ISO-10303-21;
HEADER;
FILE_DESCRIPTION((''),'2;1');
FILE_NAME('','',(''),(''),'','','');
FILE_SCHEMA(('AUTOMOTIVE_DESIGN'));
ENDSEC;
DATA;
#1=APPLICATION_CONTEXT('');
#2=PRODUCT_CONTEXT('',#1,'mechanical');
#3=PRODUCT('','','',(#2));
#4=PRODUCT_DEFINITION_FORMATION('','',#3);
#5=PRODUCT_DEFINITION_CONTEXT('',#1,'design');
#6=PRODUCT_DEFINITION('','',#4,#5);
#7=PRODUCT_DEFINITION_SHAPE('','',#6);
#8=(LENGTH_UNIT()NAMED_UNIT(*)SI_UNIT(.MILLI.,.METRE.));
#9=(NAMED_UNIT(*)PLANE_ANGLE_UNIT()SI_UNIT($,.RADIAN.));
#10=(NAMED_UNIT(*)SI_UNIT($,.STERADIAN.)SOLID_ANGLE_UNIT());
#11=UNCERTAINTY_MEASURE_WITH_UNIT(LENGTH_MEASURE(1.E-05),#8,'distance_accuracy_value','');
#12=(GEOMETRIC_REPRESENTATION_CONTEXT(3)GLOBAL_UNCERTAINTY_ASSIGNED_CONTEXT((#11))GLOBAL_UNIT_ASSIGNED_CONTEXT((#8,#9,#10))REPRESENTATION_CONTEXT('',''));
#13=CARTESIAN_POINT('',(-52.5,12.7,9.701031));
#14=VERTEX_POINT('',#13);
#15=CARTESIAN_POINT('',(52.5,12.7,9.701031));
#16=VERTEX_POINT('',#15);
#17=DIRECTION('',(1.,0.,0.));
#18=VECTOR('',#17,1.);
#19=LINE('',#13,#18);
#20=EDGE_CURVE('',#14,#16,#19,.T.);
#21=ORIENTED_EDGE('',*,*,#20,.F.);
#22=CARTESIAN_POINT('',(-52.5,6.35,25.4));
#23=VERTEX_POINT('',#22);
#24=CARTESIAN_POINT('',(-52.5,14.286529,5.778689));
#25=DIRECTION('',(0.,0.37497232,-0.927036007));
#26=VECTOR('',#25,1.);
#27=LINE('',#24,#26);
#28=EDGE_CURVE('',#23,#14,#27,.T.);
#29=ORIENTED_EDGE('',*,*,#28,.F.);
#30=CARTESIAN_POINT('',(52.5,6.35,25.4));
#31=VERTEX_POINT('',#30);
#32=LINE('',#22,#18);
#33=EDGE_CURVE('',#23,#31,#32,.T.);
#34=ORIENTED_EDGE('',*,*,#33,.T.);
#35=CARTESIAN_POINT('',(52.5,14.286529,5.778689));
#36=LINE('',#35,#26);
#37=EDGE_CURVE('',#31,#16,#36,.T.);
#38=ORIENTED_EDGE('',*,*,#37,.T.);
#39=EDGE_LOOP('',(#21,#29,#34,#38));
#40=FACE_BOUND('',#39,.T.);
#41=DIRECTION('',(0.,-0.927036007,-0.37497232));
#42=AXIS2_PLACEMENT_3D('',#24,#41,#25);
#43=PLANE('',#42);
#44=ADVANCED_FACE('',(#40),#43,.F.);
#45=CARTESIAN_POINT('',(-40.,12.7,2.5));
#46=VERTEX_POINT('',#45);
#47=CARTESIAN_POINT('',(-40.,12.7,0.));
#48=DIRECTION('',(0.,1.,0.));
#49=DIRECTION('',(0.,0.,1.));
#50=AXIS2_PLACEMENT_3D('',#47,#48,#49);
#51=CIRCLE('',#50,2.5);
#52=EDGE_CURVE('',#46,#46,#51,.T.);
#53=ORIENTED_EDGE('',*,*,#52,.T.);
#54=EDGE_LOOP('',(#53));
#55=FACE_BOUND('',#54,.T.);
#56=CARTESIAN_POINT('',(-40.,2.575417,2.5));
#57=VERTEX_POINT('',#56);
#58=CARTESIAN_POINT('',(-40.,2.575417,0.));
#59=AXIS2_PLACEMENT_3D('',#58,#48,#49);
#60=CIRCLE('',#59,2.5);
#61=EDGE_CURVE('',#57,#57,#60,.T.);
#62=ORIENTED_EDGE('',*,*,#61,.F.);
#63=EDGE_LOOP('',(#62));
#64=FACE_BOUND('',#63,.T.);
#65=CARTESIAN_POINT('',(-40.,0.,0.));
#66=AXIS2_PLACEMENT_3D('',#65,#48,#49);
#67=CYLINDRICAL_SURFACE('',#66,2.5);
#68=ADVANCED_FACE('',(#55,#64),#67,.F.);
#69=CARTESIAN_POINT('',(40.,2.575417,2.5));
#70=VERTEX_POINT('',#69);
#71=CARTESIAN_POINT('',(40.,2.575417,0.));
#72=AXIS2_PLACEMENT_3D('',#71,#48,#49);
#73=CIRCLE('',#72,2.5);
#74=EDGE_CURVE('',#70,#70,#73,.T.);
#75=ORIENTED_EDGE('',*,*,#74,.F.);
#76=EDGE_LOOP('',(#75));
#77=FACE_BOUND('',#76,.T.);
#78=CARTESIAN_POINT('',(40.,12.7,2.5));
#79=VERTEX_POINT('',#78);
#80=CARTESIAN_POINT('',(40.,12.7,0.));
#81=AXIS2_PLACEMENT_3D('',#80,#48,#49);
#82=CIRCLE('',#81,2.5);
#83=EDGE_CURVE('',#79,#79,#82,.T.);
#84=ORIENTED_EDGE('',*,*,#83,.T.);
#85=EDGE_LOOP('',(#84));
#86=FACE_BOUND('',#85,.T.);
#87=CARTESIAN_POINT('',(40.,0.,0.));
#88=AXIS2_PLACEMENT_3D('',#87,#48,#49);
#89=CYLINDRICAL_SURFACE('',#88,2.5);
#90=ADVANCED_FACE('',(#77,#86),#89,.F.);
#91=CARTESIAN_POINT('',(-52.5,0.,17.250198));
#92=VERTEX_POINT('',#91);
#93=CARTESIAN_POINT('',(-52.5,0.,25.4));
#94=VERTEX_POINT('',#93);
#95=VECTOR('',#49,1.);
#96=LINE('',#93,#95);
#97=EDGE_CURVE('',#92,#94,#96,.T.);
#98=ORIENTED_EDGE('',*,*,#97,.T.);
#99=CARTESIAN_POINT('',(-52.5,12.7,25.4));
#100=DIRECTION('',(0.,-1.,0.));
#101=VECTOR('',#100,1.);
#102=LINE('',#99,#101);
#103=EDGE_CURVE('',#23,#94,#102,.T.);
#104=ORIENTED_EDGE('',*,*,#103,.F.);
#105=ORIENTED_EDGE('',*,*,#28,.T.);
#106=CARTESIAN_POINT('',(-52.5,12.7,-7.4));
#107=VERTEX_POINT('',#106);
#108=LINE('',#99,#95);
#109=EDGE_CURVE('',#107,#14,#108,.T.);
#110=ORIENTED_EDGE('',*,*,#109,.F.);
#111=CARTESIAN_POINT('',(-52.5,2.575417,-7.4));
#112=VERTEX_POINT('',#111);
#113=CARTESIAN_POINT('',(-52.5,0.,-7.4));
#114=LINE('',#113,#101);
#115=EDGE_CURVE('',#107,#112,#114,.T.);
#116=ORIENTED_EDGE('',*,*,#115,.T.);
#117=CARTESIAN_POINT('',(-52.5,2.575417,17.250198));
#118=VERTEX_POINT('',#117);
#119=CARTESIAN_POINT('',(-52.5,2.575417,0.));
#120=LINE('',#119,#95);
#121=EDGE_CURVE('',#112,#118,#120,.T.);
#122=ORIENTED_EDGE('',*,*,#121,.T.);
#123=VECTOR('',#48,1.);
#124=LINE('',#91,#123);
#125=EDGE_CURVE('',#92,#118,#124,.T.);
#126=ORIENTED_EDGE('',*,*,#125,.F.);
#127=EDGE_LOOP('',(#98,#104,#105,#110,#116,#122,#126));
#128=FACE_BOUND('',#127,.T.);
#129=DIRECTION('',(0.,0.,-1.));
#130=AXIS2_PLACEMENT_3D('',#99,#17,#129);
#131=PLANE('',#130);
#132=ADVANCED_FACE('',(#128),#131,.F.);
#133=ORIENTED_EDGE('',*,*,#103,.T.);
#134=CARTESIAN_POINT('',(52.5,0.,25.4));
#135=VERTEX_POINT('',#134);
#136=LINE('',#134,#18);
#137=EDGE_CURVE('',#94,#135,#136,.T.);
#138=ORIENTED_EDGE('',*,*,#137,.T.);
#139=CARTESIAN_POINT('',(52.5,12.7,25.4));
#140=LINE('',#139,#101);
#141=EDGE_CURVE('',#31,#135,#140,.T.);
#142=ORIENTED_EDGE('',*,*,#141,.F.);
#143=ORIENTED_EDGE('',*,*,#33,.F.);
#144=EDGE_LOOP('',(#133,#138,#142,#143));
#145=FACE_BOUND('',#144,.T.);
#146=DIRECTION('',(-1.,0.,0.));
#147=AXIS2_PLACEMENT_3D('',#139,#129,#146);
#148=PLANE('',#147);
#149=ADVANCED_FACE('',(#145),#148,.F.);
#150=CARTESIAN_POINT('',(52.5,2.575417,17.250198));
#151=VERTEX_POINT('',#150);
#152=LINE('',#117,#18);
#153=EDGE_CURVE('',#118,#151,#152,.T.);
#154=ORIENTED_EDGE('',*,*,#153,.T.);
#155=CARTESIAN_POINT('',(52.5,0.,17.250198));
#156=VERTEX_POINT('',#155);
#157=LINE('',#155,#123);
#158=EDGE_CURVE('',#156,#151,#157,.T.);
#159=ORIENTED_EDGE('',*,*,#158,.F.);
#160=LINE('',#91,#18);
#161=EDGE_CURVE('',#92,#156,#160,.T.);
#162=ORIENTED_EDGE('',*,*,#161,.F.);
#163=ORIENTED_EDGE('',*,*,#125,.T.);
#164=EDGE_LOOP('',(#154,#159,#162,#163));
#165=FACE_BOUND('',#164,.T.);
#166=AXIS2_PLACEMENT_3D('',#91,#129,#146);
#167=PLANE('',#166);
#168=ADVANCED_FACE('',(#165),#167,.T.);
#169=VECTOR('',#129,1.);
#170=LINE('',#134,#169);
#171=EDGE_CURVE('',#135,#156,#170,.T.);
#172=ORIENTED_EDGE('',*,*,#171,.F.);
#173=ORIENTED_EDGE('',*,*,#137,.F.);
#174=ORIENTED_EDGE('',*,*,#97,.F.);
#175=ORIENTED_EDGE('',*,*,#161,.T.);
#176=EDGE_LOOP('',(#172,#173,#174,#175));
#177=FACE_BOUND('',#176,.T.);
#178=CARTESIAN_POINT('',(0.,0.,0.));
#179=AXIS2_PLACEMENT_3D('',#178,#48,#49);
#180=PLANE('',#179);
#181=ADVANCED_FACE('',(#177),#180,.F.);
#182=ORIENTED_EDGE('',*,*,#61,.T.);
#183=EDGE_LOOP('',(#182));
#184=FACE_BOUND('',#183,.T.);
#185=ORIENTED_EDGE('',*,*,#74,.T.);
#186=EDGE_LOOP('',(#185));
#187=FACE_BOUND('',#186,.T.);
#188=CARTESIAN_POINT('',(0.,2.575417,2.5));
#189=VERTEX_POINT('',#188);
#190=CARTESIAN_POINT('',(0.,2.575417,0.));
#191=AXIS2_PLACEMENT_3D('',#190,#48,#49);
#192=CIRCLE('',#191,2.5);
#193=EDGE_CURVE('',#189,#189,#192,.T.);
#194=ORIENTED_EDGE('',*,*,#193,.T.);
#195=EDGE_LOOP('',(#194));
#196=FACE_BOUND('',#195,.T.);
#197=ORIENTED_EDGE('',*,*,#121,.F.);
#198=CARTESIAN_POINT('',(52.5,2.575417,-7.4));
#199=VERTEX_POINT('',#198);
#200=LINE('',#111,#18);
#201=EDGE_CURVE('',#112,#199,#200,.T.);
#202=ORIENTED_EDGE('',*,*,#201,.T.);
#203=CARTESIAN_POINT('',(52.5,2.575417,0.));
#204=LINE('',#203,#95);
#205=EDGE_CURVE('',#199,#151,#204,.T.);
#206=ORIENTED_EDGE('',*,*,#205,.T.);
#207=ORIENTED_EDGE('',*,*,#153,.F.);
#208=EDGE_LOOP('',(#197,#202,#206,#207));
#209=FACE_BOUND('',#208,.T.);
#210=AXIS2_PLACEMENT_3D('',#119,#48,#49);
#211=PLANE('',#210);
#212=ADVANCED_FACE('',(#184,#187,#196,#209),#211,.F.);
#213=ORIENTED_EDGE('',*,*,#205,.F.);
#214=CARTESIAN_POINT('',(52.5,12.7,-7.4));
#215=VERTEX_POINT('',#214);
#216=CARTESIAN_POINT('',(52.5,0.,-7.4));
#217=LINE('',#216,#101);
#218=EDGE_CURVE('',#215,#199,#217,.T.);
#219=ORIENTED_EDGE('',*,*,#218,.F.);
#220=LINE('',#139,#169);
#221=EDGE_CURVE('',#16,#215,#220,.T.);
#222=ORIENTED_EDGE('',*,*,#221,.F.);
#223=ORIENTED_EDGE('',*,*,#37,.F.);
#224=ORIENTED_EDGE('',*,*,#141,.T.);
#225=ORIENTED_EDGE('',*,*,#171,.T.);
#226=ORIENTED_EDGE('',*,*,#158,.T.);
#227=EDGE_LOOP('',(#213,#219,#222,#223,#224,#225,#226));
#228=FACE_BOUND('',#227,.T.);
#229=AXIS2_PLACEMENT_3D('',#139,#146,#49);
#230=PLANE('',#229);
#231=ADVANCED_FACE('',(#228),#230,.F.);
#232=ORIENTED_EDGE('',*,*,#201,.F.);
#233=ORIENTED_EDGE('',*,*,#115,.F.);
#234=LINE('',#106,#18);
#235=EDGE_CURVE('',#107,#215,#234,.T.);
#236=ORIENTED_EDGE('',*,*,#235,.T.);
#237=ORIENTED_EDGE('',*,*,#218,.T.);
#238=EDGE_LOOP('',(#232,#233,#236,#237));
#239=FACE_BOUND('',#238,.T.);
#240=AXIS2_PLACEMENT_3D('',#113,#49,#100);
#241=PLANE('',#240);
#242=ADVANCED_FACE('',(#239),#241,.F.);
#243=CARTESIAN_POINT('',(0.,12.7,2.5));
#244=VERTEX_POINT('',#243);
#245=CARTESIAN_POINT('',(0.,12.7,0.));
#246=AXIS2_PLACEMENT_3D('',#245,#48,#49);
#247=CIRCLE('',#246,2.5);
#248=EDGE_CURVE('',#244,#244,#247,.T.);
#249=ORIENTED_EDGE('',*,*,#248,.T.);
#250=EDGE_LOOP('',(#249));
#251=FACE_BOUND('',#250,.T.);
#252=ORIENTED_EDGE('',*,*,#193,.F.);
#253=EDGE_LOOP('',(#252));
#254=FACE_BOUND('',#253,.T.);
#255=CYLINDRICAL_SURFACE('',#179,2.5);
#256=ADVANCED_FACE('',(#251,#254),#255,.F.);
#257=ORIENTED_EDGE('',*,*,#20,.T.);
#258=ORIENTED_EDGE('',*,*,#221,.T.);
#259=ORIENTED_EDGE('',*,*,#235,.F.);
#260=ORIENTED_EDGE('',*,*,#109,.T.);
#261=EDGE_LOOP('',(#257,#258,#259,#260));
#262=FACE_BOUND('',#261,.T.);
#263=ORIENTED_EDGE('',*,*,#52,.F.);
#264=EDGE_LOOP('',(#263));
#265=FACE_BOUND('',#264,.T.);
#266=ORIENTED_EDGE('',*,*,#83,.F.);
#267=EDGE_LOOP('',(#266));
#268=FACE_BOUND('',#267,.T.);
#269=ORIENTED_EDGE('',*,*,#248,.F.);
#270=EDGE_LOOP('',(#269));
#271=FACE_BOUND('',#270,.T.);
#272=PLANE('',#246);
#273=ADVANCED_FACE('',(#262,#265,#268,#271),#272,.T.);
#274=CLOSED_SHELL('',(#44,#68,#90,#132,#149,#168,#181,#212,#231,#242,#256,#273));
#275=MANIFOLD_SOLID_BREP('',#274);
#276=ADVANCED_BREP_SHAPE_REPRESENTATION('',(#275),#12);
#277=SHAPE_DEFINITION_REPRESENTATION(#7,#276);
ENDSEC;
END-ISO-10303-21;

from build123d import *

# Parameters (mm, degrees)
CROQUIS1_W              = 105
CROQUIS1_H              = 50.8
SALIENTE_EXTRUIR1_DEPTH = 12.7
CROQUIS2_W              = 24.650197811
CROQUIS2_H              = 2.575416839
CORTAR_EXTRUIR1_DEPTH   = 109.772468943
CROQUIS3_R              = 2.5
CORTAR_EXTRUIR2_DEPTH   = 60.688357324


with BuildPart() as part:
    # Croquis1 → Saliente-Extruir1 (new body)
    with BuildSketch(Plane(origin=(0, 0, 0), x_dir=(1, 0, 0), z_dir=(0, 1, 0))):
        Rectangle(CROQUIS1_W, CROQUIS1_H)
    extrude(amount=SALIENTE_EXTRUIR1_DEPTH)

    # Croquis2 → Cortar-Extruir1 (cut, through all)
    with BuildSketch(Plane(origin=(52.5, 0, 0), x_dir=(0, 0, -1), z_dir=(1, 0, 0))):
        Polygon((-25.4, 6.35), (-9.701031489, 12.7), (-25.4, 12.7), align=None)
        with Locations((-4.925098905, 1.28770842)):
            Rectangle(CROQUIS2_W, CROQUIS2_H)
        Polygon((25.4, 0), (25.4, 12.7), (7.4, 12.7), (7.4, 2.575416839), (7.4, 0), align=None)
    extrude(amount=-CORTAR_EXTRUIR1_DEPTH, mode=Mode.SUBTRACT)

    # Croquis3 → Cortar-Extruir2 (cut, through all)
    with BuildSketch(Plane(origin=(0, 12.7, 0), x_dir=(1, 0, 0), z_dir=(0, 1, 0))):
        with Locations(Location((0, 0, 0), (0, 0, 270))):
            Circle(CROQUIS3_R)
        with Locations(Location((-40, 0, 0), (0, 0, 270))):
            Circle(CROQUIS3_R)
        with Locations(Location((40, 0, 0), (0, 0, 270))):
            Circle(CROQUIS3_R)
    extrude(amount=-CORTAR_EXTRUIR2_DEPTH, mode=Mode.SUBTRACT)


solid = part.part
